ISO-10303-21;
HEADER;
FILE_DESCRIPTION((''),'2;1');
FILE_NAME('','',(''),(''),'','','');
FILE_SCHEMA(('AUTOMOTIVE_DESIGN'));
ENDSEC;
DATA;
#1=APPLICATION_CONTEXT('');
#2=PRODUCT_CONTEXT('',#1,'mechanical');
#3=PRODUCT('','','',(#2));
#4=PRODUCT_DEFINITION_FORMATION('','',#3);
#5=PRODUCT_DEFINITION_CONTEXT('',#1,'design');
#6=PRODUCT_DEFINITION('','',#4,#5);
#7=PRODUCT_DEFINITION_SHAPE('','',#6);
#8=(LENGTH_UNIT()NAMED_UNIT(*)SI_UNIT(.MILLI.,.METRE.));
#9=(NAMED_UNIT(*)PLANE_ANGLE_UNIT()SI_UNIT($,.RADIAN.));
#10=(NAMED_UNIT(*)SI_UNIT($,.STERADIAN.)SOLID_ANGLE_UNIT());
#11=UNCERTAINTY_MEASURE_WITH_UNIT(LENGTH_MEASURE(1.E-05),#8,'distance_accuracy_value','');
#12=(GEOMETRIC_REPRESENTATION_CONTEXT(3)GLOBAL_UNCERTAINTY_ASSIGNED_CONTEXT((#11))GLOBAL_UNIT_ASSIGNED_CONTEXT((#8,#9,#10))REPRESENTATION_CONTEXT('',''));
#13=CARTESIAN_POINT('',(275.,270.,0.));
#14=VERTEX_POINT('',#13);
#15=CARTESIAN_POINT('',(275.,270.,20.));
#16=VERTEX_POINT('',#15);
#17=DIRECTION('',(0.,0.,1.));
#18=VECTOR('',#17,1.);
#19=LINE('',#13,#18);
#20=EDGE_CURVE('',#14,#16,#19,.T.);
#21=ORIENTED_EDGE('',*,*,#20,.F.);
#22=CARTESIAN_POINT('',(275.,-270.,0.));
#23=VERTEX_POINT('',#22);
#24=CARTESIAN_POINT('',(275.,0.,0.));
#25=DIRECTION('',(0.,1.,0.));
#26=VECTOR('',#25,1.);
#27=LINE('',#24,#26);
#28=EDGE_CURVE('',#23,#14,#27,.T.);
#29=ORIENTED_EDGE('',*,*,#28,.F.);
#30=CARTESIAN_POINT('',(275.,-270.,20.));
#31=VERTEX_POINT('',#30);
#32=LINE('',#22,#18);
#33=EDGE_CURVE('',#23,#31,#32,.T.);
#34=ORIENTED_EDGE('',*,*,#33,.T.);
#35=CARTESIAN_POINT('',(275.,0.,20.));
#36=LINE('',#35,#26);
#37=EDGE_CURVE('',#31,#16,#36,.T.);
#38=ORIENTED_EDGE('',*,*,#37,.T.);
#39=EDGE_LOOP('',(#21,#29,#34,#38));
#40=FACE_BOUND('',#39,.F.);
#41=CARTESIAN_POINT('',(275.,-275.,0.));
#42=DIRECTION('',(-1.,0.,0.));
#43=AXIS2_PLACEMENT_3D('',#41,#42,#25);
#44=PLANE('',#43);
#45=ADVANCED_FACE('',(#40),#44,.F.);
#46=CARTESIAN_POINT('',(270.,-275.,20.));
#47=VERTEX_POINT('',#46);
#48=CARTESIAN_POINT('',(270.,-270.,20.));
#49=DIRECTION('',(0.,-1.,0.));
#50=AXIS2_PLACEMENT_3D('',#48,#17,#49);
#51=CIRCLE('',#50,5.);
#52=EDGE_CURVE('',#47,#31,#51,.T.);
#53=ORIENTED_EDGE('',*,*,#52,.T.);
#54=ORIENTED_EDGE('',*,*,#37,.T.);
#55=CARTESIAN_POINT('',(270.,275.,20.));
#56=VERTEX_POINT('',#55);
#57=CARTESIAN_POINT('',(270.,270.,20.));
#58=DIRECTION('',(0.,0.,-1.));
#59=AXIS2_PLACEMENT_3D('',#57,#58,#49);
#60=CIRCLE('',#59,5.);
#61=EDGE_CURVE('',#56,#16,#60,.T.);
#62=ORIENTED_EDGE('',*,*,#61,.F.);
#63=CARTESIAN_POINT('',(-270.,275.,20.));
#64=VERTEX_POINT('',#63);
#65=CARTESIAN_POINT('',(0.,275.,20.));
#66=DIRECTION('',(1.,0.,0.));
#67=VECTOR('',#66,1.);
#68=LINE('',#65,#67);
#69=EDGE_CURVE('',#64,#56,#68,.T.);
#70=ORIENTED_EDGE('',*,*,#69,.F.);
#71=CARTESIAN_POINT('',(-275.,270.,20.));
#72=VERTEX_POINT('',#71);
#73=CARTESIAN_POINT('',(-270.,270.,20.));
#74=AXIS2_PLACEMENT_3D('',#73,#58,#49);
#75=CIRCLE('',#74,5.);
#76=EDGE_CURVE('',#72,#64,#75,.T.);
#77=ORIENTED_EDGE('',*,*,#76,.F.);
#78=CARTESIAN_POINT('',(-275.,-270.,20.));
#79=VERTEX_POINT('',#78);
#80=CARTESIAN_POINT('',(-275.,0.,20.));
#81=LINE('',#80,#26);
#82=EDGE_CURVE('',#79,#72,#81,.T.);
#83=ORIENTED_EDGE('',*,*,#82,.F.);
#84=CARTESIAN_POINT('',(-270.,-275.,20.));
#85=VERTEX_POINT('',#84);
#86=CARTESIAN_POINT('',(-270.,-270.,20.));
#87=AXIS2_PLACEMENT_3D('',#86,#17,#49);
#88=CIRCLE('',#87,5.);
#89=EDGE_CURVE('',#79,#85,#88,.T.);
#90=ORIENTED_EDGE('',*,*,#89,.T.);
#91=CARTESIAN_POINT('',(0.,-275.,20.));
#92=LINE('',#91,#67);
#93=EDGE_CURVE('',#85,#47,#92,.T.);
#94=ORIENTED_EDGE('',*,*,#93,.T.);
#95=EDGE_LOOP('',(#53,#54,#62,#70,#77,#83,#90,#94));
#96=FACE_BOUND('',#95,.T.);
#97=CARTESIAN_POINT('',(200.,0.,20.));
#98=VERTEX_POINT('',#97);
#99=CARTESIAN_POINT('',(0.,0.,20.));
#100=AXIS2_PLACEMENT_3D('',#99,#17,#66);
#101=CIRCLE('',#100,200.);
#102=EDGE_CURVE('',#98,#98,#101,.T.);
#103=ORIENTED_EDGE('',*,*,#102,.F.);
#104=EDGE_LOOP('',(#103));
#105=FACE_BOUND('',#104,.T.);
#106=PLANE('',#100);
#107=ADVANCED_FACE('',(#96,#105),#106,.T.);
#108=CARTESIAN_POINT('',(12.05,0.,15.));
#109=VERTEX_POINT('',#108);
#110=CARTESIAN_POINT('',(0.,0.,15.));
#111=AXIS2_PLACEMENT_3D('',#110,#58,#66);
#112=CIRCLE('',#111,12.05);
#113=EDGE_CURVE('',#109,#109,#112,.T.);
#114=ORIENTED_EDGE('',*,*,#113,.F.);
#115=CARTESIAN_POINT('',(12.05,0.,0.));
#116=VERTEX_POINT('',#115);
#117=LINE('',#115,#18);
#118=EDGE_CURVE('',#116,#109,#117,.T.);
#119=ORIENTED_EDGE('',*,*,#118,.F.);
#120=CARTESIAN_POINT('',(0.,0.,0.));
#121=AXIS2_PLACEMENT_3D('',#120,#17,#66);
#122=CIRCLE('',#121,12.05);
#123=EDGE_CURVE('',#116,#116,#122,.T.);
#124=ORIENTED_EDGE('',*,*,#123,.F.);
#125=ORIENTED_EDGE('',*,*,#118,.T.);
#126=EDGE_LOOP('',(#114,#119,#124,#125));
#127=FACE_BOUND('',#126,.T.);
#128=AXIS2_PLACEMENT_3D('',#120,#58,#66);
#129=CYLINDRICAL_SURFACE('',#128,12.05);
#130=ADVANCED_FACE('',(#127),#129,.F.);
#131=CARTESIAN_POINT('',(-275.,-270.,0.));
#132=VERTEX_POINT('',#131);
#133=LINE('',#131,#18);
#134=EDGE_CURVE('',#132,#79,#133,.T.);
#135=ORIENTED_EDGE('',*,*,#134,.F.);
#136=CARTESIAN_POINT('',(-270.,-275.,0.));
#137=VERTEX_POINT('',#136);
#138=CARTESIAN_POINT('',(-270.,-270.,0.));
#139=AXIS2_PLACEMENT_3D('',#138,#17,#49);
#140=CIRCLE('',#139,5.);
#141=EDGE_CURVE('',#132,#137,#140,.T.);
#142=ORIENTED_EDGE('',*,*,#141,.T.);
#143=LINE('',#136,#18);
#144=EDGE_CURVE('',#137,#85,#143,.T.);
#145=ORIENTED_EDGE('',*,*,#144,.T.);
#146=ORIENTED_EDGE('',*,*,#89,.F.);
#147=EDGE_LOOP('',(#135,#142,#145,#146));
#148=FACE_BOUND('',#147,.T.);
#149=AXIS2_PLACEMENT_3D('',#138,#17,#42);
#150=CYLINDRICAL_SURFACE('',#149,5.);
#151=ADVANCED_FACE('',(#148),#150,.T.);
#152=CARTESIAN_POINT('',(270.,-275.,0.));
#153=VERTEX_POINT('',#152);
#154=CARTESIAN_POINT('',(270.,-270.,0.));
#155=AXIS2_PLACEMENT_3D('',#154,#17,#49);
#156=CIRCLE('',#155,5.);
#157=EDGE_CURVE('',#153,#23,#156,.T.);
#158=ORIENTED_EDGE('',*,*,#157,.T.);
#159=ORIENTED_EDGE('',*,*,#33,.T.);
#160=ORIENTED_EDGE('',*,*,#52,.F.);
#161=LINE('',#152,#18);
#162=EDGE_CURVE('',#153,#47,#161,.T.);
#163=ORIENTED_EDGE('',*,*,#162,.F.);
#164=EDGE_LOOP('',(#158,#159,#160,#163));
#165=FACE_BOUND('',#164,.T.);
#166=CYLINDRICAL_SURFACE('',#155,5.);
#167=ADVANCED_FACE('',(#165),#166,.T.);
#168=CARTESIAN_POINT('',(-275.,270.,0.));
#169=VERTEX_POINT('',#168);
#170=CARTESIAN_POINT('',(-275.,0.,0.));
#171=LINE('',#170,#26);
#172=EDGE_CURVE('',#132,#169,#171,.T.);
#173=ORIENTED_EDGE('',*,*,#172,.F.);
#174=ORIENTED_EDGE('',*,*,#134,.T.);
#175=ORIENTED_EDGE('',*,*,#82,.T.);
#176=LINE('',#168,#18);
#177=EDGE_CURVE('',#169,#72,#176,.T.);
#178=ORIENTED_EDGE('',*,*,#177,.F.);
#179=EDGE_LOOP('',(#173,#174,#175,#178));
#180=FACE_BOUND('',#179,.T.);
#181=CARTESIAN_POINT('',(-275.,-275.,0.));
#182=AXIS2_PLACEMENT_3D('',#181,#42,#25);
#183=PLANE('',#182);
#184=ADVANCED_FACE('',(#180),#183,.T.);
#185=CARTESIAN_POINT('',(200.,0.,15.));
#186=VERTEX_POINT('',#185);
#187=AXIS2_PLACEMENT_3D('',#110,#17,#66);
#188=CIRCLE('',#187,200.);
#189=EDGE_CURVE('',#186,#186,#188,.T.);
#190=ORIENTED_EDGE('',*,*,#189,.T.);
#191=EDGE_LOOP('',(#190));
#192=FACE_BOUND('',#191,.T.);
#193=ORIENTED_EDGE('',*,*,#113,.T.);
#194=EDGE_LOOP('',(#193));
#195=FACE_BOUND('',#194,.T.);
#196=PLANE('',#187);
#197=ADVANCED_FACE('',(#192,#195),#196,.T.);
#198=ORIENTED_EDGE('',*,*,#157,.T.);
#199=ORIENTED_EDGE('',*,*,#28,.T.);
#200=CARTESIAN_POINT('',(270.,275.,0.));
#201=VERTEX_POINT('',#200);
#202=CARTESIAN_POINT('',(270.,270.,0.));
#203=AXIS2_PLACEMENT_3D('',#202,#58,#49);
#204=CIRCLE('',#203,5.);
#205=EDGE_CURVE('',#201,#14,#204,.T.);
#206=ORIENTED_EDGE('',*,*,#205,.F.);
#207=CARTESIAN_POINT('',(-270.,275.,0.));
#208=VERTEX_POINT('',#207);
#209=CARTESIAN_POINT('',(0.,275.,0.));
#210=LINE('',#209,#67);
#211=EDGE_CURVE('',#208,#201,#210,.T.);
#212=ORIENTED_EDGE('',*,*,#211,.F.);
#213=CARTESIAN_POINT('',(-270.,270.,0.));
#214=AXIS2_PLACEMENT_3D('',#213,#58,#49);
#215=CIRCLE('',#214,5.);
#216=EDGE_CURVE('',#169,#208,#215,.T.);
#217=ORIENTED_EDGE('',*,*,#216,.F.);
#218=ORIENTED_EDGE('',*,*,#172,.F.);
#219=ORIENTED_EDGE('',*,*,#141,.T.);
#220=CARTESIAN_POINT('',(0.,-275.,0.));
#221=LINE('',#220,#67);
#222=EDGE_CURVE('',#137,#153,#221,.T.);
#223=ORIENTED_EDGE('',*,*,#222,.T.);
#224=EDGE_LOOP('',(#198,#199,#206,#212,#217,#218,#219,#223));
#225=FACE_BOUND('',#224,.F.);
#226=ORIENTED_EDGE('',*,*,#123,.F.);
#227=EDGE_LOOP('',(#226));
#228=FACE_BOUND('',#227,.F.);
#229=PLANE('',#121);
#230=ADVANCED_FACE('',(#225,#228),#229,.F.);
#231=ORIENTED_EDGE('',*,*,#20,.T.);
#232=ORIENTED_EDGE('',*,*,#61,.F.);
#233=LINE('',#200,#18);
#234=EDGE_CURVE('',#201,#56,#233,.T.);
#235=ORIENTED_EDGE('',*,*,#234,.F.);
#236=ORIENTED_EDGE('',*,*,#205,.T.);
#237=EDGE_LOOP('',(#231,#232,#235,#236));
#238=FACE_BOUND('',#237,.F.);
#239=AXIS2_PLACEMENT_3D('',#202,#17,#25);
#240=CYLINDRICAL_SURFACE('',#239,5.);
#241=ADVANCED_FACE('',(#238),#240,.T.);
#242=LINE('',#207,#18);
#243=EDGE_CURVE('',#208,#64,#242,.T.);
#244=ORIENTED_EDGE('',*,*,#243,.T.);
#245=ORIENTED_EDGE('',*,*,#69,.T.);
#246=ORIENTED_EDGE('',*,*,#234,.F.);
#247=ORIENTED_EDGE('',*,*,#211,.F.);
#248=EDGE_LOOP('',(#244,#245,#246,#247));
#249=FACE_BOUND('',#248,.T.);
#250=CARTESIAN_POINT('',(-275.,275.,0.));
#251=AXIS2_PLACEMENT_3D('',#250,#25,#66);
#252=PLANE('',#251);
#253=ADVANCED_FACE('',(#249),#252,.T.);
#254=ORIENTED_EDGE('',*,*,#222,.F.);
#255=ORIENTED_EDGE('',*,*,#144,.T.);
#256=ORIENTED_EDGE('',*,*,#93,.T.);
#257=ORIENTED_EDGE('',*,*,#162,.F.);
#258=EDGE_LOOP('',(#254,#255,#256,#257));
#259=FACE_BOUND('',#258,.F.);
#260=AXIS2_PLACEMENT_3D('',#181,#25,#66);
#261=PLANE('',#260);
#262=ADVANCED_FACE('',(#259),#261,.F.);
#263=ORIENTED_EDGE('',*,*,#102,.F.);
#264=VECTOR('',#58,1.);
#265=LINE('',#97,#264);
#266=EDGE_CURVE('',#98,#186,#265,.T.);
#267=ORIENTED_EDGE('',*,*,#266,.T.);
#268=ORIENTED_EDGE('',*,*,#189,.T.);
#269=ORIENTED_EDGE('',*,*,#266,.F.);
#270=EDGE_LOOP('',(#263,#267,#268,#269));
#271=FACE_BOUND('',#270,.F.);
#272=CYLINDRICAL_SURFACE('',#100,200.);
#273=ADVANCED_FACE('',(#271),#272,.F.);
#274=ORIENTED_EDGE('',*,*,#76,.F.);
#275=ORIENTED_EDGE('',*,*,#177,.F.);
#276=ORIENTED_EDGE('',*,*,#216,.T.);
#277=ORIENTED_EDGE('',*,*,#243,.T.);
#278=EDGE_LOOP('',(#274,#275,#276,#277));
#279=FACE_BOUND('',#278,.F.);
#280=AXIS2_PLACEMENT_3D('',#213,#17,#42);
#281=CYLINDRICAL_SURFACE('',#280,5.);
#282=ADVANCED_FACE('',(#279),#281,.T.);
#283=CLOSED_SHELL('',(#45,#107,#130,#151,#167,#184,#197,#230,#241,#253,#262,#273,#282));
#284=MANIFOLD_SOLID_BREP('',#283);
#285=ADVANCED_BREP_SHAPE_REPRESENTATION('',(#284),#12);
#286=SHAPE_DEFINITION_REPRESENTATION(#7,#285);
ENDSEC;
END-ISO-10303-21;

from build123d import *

# Parameters (mm, degrees)
F0_W     = 550
F0_H     = 550
F0_R     = 12.05
F1_DEPTH = 20
F2_R     = 5
F3_R     = 200
F4_DEPTH = 5


with BuildPart() as f1:
    # F0 (on Top) → F1 (new body)
    with BuildSketch(Plane.XY):
        Rectangle(F0_W, F0_H)
        Circle(F0_R, mode=Mode.SUBTRACT)
    extrude(amount=F1_DEPTH)

    # F2
    f2_edges = [f1.edges().sort_by_distance(p)[0] for p in [
        (-275, -275, 10),
        (275, -275, 10),
        (275, 275, 10),
        (-275, 275, 10),
    ]]
    fillet(f2_edges, radius=F2_R)

    # F3 (on face) → F4 (cut)
    with BuildSketch(Plane.XY.offset(20)):
        Circle(F3_R)
    extrude(amount=-F4_DEPTH, mode=Mode.SUBTRACT)


solid = f1.part
